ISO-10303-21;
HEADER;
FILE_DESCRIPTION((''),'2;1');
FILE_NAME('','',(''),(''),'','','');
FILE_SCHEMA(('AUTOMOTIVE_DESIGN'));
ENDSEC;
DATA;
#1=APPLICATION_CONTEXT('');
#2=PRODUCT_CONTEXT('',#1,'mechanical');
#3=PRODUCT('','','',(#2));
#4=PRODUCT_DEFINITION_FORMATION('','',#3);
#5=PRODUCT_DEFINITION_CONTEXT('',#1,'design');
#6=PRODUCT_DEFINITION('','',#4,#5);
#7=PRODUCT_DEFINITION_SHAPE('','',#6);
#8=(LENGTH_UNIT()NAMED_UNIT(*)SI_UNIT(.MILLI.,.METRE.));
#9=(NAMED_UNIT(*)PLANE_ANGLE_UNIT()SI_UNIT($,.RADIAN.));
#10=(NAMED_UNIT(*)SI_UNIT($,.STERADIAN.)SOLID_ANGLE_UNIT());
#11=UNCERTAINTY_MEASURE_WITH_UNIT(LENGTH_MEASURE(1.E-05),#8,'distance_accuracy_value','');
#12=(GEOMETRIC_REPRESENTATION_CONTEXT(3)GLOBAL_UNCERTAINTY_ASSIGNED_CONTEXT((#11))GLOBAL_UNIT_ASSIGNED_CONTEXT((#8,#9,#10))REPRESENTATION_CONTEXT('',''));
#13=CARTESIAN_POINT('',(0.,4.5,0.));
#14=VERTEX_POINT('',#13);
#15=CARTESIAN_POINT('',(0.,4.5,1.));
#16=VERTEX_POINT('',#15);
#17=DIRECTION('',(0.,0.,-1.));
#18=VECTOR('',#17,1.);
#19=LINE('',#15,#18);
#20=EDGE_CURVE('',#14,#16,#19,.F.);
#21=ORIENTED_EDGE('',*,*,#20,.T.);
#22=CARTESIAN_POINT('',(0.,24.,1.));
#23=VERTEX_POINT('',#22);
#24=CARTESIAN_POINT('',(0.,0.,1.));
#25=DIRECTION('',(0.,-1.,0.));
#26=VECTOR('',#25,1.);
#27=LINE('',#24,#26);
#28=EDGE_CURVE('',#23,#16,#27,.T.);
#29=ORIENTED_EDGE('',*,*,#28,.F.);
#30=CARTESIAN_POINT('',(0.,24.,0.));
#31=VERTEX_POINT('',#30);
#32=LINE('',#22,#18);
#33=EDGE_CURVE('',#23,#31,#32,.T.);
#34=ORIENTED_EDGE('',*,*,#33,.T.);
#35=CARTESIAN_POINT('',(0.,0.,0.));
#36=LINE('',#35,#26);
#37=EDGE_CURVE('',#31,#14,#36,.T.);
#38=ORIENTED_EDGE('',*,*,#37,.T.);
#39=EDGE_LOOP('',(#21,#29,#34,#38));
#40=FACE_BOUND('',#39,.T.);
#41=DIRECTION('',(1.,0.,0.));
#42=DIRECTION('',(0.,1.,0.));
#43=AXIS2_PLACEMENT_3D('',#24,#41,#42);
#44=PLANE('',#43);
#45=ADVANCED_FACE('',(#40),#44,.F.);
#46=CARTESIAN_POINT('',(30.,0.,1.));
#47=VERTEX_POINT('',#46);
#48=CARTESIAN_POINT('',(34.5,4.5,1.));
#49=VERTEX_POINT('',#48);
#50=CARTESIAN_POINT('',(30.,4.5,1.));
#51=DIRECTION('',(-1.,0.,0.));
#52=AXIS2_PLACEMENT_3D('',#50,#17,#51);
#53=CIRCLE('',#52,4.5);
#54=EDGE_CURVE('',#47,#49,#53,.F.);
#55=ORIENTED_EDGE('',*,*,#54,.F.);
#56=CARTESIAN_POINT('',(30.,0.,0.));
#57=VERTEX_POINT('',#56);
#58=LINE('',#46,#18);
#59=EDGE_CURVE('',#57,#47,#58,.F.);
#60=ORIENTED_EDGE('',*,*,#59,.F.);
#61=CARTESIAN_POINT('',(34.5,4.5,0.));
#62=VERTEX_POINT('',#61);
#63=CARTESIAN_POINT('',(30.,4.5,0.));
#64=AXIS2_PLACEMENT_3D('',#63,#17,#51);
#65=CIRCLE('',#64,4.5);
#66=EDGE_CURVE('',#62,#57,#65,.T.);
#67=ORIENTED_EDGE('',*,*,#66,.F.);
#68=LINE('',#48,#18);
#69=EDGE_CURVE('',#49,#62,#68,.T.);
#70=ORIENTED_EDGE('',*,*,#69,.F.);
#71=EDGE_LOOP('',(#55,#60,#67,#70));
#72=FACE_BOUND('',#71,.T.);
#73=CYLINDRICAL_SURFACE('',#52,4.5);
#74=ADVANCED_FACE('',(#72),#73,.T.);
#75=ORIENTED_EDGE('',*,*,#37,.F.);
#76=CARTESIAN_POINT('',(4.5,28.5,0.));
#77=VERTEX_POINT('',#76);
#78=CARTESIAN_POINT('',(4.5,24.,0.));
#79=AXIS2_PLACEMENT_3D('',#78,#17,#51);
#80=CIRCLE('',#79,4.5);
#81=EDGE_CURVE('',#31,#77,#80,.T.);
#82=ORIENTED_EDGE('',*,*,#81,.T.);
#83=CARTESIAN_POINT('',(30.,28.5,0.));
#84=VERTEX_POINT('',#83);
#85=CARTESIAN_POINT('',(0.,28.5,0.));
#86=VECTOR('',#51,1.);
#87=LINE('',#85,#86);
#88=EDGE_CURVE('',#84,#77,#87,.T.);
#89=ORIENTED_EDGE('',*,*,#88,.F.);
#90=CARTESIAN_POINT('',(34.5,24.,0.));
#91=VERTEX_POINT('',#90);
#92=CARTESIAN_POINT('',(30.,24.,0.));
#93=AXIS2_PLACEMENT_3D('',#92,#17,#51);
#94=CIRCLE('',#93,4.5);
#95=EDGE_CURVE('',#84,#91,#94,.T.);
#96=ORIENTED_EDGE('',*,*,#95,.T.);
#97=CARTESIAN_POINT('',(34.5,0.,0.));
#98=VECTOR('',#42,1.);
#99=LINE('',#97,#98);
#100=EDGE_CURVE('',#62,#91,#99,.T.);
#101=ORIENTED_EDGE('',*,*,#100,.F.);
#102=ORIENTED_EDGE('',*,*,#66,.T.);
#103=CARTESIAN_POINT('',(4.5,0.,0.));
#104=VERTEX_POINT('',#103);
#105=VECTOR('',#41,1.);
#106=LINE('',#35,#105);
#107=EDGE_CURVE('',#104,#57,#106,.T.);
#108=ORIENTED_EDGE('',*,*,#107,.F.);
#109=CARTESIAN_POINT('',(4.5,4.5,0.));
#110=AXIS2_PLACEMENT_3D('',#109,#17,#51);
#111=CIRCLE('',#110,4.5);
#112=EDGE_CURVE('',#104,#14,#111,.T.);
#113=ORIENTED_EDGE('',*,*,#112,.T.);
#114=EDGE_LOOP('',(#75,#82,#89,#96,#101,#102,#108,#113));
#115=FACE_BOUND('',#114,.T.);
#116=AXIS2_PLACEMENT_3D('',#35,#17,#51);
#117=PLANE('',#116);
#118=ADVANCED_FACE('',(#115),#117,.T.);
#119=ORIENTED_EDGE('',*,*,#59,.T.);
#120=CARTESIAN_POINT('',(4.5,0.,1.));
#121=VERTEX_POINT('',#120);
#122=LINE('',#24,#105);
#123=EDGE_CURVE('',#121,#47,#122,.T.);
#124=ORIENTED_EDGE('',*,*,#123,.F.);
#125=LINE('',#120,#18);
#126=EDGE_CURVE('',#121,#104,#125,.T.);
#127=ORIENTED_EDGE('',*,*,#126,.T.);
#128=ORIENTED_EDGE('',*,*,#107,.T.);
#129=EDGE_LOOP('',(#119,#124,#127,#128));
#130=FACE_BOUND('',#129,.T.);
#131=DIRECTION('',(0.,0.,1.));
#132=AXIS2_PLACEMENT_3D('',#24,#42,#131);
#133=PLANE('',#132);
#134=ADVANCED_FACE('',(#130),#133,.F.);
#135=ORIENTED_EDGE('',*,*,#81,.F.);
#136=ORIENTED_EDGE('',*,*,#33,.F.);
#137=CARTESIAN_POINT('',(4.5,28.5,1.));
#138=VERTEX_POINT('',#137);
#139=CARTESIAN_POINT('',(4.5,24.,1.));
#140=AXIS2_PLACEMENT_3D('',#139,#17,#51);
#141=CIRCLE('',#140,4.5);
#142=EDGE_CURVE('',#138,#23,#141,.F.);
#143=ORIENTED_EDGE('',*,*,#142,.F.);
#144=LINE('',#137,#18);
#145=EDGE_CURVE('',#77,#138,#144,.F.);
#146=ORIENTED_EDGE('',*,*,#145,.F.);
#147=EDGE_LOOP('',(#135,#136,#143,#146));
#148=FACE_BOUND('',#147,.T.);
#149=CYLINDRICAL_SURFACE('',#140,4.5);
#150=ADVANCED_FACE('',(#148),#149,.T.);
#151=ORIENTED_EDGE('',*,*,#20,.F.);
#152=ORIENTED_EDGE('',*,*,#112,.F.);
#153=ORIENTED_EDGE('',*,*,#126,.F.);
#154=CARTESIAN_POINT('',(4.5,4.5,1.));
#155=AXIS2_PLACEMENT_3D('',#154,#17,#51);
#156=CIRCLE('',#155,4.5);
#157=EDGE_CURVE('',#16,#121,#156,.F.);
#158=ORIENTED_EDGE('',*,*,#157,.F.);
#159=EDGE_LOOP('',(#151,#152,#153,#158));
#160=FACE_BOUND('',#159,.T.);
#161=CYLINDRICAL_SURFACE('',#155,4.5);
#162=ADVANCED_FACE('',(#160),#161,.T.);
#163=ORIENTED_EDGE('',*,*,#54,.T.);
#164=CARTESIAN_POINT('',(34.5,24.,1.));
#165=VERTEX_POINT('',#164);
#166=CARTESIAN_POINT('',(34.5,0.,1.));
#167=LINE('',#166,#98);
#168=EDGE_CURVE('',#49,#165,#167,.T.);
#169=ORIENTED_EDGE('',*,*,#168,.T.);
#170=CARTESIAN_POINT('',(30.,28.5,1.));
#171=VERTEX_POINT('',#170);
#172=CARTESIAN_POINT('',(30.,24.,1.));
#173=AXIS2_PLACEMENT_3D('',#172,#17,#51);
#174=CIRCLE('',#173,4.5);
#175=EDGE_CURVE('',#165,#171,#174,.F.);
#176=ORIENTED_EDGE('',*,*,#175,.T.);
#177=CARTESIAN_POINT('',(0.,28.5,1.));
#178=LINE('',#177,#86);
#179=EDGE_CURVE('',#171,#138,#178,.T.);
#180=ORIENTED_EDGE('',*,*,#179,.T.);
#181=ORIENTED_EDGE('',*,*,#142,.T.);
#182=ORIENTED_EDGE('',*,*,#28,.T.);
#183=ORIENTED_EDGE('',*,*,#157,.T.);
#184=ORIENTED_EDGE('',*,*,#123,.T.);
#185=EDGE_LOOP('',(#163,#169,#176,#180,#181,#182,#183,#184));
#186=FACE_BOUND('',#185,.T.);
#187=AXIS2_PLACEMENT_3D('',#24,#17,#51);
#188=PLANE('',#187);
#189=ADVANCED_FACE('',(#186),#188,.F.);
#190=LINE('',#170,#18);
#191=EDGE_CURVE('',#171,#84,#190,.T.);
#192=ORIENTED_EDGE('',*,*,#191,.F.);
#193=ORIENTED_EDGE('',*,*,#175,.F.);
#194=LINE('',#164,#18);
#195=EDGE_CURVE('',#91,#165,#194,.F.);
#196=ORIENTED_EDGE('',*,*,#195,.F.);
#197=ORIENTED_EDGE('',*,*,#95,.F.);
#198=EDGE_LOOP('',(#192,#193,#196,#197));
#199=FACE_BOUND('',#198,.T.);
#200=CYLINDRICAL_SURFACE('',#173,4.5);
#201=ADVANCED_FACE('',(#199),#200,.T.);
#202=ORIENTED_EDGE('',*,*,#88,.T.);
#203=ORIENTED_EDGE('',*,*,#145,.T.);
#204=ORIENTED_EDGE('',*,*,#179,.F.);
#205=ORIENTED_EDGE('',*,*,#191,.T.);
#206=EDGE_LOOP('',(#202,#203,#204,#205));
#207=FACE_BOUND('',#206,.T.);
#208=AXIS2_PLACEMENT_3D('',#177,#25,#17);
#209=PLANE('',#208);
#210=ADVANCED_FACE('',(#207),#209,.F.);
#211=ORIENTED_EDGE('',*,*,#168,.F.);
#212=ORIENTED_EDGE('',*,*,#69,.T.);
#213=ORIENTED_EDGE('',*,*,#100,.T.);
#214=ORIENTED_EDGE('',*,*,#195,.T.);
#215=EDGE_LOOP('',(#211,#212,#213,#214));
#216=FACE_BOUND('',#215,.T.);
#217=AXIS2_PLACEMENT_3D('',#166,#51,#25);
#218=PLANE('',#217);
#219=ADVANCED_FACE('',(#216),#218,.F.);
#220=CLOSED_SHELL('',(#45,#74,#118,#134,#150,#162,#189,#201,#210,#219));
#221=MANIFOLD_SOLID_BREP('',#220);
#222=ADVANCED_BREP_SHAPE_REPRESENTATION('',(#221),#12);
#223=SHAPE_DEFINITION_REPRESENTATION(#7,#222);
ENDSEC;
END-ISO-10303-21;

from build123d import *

# Parameters (mm, degrees)
SKETCH_1_W      = 34.5
SKETCH_1_H      = 28.5
EXTRUDE_1_DEPTH = 1
FILLET_1_R      = 4.5


with BuildPart() as part:
    # 草图1 → 凸台-拉伸1 (new body)
    with BuildSketch(Plane.XY):
        with Locations((17.25, 14.25)):
            Rectangle(SKETCH_1_W, SKETCH_1_H)
    extrude(amount=EXTRUDE_1_DEPTH)

    # 圆角1
    fillet_1_edges = [part.edges().sort_by_distance(p)[0] for p in [
        (0, 28.5, 0.5),
        (34.5, 28.5, 0.5),
        (34.5, 0, 0.5),
        (0, 0, 0.5),
    ]]
    fillet(fillet_1_edges, radius=FILLET_1_R)


solid = part.part
